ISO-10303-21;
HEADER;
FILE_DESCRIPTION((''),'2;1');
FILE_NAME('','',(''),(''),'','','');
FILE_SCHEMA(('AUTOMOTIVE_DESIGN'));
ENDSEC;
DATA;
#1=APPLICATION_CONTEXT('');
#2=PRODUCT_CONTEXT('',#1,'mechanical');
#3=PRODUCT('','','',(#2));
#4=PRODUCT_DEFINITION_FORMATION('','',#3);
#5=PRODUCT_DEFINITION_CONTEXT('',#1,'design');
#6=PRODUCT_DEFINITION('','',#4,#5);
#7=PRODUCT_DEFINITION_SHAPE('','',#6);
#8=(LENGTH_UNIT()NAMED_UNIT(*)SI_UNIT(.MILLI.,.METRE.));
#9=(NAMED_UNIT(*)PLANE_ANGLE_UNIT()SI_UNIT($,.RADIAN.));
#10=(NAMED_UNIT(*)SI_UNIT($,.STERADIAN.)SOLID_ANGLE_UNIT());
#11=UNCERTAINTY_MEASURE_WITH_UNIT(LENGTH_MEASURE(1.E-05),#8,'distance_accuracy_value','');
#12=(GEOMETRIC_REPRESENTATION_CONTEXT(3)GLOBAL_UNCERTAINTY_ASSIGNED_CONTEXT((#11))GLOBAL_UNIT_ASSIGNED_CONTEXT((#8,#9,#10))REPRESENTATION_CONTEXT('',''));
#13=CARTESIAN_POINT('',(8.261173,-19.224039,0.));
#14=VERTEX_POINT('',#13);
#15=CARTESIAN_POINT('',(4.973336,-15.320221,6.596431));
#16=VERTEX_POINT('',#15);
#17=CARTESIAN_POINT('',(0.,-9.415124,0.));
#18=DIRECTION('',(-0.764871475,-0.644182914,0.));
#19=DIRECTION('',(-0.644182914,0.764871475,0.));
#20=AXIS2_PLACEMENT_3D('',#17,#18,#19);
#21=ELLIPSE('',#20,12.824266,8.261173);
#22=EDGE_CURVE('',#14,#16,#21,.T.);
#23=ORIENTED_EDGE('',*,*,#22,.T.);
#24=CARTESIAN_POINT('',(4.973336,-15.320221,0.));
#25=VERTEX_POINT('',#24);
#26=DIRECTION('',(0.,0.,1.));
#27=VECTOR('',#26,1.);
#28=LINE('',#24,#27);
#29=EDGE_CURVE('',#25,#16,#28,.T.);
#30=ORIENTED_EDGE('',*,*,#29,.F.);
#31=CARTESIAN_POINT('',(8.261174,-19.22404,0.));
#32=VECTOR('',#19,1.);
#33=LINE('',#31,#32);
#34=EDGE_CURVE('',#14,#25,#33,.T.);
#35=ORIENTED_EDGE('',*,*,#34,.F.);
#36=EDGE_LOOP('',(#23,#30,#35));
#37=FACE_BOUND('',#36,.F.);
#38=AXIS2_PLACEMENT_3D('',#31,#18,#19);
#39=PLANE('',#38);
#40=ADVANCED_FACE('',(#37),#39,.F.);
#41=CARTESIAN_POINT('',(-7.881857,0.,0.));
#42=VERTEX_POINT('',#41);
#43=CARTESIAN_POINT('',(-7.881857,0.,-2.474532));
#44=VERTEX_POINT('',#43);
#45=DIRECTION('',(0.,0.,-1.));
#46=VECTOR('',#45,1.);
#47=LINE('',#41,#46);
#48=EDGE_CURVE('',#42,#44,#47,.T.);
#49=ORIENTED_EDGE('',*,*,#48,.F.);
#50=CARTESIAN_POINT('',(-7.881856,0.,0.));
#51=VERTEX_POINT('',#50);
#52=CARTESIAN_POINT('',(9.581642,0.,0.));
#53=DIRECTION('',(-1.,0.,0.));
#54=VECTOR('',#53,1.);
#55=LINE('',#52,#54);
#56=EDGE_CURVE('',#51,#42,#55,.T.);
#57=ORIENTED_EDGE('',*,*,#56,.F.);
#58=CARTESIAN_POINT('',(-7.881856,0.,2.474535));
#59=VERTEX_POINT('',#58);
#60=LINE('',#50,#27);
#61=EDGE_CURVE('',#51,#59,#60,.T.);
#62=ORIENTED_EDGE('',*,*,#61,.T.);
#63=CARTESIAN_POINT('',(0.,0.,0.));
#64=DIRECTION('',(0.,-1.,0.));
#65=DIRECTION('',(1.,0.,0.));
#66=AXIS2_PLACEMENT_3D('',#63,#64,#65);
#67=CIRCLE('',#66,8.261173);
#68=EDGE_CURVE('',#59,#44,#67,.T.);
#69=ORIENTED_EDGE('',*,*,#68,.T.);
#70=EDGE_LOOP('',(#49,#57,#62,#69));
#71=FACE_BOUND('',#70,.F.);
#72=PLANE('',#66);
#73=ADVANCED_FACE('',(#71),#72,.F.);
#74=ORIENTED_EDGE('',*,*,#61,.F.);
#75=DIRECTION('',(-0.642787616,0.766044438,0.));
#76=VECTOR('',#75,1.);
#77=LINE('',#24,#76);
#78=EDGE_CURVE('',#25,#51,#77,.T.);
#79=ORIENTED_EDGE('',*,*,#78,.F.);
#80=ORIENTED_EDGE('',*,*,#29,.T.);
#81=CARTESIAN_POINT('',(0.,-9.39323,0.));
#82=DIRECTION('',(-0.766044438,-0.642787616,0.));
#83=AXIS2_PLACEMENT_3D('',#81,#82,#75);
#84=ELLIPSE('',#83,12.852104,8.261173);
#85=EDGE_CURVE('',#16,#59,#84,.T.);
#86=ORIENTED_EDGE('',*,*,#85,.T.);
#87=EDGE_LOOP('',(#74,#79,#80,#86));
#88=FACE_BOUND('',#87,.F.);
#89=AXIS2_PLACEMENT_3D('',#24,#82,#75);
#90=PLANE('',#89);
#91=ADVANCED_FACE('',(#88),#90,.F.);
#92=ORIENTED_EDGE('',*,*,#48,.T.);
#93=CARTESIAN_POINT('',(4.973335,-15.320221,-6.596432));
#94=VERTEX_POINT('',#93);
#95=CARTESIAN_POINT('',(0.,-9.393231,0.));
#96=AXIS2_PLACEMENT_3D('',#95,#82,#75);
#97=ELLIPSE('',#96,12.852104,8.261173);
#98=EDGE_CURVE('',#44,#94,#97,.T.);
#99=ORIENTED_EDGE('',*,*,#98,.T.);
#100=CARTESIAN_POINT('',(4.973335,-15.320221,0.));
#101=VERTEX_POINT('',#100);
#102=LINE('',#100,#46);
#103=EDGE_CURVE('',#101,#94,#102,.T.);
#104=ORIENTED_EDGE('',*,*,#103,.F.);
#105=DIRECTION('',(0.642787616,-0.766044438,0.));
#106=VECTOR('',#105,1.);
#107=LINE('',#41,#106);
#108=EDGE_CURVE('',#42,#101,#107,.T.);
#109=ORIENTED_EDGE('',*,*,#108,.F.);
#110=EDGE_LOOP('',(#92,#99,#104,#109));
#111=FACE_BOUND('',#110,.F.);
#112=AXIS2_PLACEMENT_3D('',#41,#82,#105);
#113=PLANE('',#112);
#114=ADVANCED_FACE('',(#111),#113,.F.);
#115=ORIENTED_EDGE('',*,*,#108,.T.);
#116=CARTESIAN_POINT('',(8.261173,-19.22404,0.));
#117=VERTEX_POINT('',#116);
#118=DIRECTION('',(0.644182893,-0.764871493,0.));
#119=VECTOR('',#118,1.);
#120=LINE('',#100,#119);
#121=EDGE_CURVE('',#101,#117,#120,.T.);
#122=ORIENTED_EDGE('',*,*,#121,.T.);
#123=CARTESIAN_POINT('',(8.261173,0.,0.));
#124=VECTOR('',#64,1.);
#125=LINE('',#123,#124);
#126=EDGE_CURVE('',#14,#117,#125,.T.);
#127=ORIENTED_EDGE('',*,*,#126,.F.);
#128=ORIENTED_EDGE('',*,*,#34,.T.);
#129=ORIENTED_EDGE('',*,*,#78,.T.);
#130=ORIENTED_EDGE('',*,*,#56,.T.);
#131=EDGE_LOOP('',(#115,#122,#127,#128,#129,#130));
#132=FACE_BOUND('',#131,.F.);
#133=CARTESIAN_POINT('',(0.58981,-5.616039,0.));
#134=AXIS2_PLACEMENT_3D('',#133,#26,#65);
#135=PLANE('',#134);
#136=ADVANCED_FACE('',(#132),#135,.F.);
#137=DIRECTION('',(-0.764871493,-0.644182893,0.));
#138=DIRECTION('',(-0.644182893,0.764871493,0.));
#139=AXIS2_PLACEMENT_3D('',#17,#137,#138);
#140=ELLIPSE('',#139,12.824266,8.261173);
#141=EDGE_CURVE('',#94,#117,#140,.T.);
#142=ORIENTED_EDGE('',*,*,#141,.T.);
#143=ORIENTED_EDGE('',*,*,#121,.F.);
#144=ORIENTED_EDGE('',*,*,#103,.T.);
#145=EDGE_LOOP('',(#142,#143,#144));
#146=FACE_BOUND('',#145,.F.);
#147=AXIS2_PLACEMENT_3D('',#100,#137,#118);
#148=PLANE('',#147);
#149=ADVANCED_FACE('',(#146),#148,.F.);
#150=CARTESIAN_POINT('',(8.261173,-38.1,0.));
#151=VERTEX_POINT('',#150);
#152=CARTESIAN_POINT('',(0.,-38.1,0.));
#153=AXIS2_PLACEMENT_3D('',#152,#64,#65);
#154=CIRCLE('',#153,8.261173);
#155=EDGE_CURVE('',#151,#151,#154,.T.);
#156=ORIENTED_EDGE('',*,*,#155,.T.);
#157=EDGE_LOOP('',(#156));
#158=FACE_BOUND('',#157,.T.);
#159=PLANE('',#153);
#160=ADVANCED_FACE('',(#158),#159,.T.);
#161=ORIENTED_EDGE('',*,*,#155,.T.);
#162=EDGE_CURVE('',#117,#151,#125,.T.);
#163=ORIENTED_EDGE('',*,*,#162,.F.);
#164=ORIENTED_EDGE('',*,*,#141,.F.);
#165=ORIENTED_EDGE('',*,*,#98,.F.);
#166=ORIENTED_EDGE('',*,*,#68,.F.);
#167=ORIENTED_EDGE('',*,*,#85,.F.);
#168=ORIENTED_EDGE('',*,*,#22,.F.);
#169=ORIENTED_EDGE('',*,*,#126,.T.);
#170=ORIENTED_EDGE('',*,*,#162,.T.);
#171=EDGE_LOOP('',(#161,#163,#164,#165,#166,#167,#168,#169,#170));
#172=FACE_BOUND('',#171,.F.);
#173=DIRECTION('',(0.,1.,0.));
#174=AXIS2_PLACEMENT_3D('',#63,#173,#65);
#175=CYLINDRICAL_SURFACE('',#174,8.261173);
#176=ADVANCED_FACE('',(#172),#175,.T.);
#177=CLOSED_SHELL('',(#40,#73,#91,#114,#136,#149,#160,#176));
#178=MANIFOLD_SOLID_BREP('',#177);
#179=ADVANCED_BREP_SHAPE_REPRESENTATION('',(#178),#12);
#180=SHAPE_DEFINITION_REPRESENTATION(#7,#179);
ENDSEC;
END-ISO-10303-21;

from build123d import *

# Parameters (mm, degrees)
F0_R     = 8.261173
F1_DEPTH = 38.1
F3_DEPTH = 56.62504
F4_DEPTH = 25.4


with BuildPart() as f1:
    # F0 (on Front) → F1 (new body)
    with BuildSketch(Plane.XZ):
        Circle(F0_R)
    extrude(amount=F1_DEPTH)

    # F2 (on Top) → F3 (cut)
    with BuildSketch(Plane.XY):
        Polygon((4.973335, 0), (-7.881857, 0), (4.973335, -15.320221), align=None)
        Polygon((4.973335, 0), (4.973335, -15.320221), (9.581642, -20.791901), (9.581642, 0), align=None)
    extrude(amount=-F3_DEPTH, mode=Mode.SUBTRACT)

    # F3_face (on face) → F4 (cut)
    with BuildSketch(Plane(origin=(2.879507, -6.411073, 0), x_dir=(1, 0, 0), z_dir=(0, 0, -1))):
        Polygon((-10.761363, -6.411073), (5.381667, -6.411073), (5.381667, 12.812967), (2.093829, 8.909148), align=None)
    extrude(amount=-F4_DEPTH, mode=Mode.SUBTRACT)


solid = f1.part
